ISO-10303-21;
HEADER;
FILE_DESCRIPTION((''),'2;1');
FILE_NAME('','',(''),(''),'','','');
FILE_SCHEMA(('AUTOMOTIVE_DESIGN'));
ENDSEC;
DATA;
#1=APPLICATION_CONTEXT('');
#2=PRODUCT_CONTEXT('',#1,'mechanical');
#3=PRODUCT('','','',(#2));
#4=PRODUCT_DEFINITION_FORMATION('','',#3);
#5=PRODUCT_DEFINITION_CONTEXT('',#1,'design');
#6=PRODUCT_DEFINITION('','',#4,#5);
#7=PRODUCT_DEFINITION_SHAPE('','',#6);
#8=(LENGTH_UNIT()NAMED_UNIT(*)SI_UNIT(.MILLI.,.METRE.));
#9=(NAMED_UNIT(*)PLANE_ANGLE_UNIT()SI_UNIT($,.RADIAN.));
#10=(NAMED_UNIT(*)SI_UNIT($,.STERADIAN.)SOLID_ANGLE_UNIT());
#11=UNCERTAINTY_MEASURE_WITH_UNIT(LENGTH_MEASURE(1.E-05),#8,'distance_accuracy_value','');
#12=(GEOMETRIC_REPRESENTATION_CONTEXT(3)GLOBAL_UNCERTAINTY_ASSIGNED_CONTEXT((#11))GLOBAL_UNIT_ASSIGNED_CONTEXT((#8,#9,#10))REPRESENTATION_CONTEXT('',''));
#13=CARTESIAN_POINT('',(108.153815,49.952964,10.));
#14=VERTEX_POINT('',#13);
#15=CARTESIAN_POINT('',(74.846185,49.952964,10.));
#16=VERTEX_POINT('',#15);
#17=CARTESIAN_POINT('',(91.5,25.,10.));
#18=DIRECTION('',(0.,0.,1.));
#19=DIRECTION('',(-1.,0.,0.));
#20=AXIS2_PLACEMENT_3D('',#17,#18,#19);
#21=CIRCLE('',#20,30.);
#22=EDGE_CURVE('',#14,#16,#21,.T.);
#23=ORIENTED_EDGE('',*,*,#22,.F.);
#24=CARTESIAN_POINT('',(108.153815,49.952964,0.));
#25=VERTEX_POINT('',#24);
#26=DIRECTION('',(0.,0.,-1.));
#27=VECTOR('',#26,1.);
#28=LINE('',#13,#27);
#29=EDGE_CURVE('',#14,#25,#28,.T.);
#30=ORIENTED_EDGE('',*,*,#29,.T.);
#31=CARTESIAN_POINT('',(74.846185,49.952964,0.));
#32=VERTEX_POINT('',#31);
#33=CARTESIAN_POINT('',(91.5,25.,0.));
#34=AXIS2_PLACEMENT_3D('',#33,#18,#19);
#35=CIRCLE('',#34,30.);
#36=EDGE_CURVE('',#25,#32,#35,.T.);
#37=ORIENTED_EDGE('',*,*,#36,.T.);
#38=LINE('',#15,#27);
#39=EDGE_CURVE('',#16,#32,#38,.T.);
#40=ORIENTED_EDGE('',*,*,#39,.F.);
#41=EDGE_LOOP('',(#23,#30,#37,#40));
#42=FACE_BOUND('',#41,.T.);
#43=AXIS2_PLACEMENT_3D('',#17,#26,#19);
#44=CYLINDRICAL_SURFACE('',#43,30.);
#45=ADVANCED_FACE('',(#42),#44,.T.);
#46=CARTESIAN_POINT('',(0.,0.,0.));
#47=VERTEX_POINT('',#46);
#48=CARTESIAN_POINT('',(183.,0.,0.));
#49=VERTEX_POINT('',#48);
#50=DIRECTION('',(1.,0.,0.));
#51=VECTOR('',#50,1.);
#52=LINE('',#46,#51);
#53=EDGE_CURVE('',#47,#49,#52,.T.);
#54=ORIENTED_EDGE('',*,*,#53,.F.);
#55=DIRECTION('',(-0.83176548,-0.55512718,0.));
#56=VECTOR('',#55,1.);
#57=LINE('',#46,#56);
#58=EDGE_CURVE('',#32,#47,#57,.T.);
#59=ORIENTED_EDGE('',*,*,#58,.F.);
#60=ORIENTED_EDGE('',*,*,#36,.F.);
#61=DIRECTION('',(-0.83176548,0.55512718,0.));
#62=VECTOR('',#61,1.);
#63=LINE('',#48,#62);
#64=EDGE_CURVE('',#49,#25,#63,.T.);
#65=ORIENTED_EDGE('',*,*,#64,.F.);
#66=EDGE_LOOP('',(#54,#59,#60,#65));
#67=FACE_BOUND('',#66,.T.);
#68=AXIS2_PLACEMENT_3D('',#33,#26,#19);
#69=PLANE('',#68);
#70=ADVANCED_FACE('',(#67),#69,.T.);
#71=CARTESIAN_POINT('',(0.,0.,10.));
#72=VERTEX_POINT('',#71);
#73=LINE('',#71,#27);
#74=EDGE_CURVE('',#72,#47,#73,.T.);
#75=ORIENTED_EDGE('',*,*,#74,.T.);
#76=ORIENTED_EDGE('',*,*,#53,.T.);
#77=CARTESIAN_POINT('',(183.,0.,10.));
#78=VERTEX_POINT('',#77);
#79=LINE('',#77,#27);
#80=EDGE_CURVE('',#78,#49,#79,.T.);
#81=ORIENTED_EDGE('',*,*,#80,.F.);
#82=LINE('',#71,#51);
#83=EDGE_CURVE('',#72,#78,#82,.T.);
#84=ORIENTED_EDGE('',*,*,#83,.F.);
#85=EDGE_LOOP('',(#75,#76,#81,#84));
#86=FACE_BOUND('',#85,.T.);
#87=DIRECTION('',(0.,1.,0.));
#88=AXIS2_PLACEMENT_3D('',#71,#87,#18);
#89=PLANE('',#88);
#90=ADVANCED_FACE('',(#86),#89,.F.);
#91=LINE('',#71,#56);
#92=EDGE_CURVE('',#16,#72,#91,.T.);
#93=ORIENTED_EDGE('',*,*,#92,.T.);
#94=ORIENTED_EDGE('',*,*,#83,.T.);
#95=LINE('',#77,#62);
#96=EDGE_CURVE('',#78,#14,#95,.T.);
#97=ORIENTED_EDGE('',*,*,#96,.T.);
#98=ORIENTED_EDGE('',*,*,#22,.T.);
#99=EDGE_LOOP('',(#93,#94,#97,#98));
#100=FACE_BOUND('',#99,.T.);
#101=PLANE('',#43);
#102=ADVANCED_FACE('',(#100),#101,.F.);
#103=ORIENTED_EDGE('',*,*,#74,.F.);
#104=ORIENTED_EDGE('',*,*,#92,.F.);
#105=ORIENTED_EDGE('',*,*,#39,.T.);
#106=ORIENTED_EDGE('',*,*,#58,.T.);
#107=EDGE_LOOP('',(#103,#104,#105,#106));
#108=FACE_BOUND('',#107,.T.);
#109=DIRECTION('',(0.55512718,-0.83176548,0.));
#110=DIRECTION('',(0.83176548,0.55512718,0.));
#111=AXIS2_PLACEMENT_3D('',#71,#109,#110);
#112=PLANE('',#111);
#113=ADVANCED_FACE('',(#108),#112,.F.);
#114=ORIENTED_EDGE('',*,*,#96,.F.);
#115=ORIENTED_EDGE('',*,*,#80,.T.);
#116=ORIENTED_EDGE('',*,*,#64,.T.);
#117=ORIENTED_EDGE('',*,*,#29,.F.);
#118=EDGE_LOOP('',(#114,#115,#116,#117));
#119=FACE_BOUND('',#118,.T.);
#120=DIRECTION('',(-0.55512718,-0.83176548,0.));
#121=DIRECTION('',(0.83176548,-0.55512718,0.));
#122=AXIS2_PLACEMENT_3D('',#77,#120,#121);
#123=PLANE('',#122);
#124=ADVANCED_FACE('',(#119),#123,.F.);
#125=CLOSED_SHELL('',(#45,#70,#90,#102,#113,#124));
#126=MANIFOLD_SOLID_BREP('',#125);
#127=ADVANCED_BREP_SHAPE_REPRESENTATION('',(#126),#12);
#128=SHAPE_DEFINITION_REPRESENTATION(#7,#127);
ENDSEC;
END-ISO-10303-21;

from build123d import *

# Parameters (mm, degrees)
DODANIE_WYCI_GNI_CIE1_DEPTH = 10


with BuildPart() as part:
    # Szkic1 → Dodanie-wyciągnięcie1 (new body)
    with BuildSketch(Plane.XY):
        with BuildLine():
            Line((0, 0), (183, 0))
            Line((183, 0), (108.15381541, 49.952964399))
            ThreePointArc((108.15381541, 49.952964399), (91.5, 55), (74.84618459, 49.952964399))
            Line((74.84618459, 49.952964399), (0, 0))
        make_face()
    extrude(amount=DODANIE_WYCI_GNI_CIE1_DEPTH)


solid = part.part
